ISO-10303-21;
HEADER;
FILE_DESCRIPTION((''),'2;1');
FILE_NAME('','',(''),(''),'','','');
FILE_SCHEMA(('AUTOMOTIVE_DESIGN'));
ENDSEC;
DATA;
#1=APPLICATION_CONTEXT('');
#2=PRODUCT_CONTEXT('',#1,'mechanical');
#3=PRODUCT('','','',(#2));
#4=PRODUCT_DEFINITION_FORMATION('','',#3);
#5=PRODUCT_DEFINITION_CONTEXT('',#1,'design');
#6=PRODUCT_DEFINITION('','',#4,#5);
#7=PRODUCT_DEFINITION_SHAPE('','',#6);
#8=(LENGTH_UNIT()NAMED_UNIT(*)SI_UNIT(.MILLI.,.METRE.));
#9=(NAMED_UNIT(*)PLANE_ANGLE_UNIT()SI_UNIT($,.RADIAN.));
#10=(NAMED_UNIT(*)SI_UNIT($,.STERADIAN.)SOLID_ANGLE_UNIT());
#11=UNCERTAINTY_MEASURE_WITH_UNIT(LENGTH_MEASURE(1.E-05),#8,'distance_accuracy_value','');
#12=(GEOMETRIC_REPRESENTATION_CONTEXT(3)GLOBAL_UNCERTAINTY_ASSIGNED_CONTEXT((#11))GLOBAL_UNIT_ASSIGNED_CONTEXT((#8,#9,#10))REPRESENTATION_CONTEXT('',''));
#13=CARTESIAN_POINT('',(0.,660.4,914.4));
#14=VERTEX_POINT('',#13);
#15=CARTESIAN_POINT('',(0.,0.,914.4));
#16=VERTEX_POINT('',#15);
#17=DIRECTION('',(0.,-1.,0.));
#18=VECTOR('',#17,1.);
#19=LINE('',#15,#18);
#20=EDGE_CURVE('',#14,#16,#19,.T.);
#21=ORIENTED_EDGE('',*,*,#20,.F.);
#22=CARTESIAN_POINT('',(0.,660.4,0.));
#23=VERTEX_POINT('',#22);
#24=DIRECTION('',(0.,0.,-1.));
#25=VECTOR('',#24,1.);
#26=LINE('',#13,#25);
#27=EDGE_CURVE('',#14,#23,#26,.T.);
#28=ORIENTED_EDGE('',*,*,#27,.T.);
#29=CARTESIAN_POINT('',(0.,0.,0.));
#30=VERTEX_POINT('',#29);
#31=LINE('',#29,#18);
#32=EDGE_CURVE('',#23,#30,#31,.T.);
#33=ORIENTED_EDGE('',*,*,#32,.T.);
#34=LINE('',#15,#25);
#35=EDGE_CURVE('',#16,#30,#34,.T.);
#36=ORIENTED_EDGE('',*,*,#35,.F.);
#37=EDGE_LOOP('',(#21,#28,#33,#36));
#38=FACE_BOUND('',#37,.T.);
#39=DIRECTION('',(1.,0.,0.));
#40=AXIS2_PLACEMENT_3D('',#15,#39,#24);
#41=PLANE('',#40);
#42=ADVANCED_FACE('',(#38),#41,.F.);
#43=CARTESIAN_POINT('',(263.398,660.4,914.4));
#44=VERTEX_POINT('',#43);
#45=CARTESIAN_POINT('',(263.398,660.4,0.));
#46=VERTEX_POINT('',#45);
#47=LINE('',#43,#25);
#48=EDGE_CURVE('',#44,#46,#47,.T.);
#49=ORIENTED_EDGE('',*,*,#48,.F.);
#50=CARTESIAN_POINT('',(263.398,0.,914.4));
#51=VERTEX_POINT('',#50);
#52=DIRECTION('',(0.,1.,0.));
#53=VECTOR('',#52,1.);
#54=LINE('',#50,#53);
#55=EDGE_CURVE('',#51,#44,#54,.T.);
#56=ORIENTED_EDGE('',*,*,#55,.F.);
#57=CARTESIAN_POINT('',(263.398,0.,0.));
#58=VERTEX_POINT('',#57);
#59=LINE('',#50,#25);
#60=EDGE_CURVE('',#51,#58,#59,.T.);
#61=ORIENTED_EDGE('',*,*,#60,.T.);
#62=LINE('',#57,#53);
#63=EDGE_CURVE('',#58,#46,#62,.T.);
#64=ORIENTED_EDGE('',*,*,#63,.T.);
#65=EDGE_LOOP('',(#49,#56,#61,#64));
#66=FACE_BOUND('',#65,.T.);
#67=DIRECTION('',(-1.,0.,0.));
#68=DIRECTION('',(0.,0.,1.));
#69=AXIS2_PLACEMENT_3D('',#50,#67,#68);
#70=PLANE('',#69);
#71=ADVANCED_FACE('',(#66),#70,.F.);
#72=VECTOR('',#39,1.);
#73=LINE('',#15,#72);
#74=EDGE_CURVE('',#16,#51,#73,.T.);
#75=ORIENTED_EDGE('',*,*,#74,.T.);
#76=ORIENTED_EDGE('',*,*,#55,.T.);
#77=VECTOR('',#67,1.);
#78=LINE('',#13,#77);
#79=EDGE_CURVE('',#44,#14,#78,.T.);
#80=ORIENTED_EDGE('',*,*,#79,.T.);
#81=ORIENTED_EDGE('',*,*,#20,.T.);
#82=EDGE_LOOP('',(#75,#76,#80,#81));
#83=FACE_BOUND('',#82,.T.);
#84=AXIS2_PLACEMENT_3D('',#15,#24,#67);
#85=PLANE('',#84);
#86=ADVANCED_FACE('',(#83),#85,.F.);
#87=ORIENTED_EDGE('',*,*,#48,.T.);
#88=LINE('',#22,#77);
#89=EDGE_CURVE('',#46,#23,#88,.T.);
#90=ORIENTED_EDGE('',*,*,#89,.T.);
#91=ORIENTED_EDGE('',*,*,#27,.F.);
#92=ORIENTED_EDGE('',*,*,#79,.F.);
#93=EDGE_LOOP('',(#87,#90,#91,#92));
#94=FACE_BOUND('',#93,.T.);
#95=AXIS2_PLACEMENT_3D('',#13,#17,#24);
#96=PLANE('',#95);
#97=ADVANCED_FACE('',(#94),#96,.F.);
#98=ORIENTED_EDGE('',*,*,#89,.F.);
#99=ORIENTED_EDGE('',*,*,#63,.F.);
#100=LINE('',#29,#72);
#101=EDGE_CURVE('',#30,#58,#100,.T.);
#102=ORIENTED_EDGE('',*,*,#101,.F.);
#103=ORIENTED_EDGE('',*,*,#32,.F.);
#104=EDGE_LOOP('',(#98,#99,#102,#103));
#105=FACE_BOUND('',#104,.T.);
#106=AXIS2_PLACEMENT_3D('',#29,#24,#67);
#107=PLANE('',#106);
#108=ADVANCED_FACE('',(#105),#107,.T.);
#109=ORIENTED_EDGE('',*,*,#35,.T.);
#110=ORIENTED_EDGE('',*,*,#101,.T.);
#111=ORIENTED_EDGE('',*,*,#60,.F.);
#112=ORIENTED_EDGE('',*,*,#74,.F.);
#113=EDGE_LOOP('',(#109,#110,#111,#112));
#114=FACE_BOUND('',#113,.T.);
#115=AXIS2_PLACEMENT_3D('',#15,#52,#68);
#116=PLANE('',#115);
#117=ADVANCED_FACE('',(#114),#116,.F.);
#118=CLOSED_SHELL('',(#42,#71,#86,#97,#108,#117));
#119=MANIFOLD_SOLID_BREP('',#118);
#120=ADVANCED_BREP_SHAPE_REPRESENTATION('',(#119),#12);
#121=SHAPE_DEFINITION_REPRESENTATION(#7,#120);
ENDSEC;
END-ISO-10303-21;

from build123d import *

# Parameters (mm, degrees)
SKETCH1_W           = 263.398
SKETCH1_H           = 660.4
BOSS_EXTRUDE1_DEPTH = 914.4


with BuildPart() as part:
    # Sketch1 → Boss-Extrude1 (new body)
    with BuildSketch(Plane.XY):
        with Locations((131.699, 330.2)):
            Rectangle(SKETCH1_W, SKETCH1_H)
    extrude(amount=BOSS_EXTRUDE1_DEPTH)


solid = part.part
